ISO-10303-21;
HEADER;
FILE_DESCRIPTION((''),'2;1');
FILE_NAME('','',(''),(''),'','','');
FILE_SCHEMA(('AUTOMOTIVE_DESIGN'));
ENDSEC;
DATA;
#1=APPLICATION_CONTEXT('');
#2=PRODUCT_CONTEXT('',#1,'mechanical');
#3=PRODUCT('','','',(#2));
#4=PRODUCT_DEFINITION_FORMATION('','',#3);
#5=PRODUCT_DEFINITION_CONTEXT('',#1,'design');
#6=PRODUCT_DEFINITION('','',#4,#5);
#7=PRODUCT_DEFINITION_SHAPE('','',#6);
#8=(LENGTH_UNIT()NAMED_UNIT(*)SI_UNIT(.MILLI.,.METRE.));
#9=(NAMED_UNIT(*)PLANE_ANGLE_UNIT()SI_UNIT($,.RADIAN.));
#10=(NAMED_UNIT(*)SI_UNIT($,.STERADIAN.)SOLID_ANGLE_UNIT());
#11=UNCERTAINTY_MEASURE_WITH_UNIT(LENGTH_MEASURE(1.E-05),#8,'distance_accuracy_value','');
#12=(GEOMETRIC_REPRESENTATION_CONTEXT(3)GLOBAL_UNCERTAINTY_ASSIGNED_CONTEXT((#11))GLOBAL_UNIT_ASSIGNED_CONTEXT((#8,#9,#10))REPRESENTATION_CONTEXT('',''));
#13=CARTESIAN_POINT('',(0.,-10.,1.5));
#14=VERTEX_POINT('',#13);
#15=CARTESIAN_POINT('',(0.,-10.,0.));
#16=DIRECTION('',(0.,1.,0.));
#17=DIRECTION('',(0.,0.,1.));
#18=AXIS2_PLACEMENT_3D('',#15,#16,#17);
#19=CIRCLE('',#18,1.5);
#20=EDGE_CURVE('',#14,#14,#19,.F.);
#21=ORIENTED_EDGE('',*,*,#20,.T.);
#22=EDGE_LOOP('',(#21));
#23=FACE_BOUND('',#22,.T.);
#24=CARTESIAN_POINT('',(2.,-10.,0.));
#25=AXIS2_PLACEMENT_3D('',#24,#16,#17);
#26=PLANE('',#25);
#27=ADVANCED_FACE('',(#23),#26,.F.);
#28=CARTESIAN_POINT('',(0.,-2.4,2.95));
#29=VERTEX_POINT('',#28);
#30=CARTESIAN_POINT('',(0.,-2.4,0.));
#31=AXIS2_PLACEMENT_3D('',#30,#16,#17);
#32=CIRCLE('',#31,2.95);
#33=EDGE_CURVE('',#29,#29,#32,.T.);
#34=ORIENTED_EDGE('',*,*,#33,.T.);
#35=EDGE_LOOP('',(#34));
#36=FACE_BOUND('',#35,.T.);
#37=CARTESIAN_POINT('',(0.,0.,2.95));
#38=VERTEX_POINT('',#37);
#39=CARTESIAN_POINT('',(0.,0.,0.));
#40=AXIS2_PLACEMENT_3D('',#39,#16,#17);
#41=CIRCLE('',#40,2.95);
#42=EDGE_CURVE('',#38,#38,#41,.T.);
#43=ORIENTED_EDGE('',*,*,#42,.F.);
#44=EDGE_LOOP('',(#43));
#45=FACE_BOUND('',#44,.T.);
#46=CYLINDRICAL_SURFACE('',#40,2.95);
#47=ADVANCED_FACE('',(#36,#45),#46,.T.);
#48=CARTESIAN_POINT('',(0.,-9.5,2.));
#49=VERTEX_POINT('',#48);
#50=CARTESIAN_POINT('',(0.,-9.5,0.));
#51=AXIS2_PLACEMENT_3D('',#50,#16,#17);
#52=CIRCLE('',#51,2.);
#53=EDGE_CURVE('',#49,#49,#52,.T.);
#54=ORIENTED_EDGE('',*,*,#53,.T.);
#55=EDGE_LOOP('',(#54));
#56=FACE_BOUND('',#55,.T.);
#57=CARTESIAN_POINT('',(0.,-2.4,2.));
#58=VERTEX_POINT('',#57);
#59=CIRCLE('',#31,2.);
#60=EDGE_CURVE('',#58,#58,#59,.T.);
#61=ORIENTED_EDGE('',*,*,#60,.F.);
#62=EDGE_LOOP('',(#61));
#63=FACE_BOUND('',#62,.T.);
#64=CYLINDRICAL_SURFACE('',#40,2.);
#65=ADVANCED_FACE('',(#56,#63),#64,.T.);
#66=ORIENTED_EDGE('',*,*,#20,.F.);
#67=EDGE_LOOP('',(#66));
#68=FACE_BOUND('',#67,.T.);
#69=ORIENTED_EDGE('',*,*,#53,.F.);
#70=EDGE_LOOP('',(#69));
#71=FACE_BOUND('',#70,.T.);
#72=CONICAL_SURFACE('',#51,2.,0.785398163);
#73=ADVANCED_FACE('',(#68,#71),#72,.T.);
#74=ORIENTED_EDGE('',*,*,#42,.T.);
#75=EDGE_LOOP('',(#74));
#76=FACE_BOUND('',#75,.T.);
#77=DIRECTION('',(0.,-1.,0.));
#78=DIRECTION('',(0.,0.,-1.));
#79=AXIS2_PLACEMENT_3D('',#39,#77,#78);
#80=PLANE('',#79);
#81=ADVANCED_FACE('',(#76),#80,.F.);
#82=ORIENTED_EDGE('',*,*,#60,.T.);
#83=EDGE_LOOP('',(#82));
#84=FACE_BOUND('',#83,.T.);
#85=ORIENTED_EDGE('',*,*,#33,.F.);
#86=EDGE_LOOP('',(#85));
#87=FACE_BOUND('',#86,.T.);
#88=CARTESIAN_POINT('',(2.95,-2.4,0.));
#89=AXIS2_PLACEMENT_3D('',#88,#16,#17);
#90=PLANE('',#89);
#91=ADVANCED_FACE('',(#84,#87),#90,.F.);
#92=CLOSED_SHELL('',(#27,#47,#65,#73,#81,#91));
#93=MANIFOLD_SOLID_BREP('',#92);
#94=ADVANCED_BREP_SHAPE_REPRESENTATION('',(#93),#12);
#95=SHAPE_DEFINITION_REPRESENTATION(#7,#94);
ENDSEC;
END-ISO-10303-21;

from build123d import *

# Parameters (mm, degrees)
CHAFL_N1_SIZE = 0.5


with BuildPart() as part:
    # Croquis1 → Revolución1 (revolve)
    with BuildSketch(Plane.XY):
        Polygon((0, 0), (2.95, 0), (2.95, -2.4), (2, -2.4), (2, -10), (0, -10), align=None)
    revolve(axis=Axis((0, 0, 0), (0, -1, 0)))

    # Chaflán1
    chafl_n1_edges = [part.edges().sort_by_distance(p)[0] for p in [
        (-2, -10, 0),
    ]]
    chamfer(chafl_n1_edges, length=CHAFL_N1_SIZE)


solid = part.part
